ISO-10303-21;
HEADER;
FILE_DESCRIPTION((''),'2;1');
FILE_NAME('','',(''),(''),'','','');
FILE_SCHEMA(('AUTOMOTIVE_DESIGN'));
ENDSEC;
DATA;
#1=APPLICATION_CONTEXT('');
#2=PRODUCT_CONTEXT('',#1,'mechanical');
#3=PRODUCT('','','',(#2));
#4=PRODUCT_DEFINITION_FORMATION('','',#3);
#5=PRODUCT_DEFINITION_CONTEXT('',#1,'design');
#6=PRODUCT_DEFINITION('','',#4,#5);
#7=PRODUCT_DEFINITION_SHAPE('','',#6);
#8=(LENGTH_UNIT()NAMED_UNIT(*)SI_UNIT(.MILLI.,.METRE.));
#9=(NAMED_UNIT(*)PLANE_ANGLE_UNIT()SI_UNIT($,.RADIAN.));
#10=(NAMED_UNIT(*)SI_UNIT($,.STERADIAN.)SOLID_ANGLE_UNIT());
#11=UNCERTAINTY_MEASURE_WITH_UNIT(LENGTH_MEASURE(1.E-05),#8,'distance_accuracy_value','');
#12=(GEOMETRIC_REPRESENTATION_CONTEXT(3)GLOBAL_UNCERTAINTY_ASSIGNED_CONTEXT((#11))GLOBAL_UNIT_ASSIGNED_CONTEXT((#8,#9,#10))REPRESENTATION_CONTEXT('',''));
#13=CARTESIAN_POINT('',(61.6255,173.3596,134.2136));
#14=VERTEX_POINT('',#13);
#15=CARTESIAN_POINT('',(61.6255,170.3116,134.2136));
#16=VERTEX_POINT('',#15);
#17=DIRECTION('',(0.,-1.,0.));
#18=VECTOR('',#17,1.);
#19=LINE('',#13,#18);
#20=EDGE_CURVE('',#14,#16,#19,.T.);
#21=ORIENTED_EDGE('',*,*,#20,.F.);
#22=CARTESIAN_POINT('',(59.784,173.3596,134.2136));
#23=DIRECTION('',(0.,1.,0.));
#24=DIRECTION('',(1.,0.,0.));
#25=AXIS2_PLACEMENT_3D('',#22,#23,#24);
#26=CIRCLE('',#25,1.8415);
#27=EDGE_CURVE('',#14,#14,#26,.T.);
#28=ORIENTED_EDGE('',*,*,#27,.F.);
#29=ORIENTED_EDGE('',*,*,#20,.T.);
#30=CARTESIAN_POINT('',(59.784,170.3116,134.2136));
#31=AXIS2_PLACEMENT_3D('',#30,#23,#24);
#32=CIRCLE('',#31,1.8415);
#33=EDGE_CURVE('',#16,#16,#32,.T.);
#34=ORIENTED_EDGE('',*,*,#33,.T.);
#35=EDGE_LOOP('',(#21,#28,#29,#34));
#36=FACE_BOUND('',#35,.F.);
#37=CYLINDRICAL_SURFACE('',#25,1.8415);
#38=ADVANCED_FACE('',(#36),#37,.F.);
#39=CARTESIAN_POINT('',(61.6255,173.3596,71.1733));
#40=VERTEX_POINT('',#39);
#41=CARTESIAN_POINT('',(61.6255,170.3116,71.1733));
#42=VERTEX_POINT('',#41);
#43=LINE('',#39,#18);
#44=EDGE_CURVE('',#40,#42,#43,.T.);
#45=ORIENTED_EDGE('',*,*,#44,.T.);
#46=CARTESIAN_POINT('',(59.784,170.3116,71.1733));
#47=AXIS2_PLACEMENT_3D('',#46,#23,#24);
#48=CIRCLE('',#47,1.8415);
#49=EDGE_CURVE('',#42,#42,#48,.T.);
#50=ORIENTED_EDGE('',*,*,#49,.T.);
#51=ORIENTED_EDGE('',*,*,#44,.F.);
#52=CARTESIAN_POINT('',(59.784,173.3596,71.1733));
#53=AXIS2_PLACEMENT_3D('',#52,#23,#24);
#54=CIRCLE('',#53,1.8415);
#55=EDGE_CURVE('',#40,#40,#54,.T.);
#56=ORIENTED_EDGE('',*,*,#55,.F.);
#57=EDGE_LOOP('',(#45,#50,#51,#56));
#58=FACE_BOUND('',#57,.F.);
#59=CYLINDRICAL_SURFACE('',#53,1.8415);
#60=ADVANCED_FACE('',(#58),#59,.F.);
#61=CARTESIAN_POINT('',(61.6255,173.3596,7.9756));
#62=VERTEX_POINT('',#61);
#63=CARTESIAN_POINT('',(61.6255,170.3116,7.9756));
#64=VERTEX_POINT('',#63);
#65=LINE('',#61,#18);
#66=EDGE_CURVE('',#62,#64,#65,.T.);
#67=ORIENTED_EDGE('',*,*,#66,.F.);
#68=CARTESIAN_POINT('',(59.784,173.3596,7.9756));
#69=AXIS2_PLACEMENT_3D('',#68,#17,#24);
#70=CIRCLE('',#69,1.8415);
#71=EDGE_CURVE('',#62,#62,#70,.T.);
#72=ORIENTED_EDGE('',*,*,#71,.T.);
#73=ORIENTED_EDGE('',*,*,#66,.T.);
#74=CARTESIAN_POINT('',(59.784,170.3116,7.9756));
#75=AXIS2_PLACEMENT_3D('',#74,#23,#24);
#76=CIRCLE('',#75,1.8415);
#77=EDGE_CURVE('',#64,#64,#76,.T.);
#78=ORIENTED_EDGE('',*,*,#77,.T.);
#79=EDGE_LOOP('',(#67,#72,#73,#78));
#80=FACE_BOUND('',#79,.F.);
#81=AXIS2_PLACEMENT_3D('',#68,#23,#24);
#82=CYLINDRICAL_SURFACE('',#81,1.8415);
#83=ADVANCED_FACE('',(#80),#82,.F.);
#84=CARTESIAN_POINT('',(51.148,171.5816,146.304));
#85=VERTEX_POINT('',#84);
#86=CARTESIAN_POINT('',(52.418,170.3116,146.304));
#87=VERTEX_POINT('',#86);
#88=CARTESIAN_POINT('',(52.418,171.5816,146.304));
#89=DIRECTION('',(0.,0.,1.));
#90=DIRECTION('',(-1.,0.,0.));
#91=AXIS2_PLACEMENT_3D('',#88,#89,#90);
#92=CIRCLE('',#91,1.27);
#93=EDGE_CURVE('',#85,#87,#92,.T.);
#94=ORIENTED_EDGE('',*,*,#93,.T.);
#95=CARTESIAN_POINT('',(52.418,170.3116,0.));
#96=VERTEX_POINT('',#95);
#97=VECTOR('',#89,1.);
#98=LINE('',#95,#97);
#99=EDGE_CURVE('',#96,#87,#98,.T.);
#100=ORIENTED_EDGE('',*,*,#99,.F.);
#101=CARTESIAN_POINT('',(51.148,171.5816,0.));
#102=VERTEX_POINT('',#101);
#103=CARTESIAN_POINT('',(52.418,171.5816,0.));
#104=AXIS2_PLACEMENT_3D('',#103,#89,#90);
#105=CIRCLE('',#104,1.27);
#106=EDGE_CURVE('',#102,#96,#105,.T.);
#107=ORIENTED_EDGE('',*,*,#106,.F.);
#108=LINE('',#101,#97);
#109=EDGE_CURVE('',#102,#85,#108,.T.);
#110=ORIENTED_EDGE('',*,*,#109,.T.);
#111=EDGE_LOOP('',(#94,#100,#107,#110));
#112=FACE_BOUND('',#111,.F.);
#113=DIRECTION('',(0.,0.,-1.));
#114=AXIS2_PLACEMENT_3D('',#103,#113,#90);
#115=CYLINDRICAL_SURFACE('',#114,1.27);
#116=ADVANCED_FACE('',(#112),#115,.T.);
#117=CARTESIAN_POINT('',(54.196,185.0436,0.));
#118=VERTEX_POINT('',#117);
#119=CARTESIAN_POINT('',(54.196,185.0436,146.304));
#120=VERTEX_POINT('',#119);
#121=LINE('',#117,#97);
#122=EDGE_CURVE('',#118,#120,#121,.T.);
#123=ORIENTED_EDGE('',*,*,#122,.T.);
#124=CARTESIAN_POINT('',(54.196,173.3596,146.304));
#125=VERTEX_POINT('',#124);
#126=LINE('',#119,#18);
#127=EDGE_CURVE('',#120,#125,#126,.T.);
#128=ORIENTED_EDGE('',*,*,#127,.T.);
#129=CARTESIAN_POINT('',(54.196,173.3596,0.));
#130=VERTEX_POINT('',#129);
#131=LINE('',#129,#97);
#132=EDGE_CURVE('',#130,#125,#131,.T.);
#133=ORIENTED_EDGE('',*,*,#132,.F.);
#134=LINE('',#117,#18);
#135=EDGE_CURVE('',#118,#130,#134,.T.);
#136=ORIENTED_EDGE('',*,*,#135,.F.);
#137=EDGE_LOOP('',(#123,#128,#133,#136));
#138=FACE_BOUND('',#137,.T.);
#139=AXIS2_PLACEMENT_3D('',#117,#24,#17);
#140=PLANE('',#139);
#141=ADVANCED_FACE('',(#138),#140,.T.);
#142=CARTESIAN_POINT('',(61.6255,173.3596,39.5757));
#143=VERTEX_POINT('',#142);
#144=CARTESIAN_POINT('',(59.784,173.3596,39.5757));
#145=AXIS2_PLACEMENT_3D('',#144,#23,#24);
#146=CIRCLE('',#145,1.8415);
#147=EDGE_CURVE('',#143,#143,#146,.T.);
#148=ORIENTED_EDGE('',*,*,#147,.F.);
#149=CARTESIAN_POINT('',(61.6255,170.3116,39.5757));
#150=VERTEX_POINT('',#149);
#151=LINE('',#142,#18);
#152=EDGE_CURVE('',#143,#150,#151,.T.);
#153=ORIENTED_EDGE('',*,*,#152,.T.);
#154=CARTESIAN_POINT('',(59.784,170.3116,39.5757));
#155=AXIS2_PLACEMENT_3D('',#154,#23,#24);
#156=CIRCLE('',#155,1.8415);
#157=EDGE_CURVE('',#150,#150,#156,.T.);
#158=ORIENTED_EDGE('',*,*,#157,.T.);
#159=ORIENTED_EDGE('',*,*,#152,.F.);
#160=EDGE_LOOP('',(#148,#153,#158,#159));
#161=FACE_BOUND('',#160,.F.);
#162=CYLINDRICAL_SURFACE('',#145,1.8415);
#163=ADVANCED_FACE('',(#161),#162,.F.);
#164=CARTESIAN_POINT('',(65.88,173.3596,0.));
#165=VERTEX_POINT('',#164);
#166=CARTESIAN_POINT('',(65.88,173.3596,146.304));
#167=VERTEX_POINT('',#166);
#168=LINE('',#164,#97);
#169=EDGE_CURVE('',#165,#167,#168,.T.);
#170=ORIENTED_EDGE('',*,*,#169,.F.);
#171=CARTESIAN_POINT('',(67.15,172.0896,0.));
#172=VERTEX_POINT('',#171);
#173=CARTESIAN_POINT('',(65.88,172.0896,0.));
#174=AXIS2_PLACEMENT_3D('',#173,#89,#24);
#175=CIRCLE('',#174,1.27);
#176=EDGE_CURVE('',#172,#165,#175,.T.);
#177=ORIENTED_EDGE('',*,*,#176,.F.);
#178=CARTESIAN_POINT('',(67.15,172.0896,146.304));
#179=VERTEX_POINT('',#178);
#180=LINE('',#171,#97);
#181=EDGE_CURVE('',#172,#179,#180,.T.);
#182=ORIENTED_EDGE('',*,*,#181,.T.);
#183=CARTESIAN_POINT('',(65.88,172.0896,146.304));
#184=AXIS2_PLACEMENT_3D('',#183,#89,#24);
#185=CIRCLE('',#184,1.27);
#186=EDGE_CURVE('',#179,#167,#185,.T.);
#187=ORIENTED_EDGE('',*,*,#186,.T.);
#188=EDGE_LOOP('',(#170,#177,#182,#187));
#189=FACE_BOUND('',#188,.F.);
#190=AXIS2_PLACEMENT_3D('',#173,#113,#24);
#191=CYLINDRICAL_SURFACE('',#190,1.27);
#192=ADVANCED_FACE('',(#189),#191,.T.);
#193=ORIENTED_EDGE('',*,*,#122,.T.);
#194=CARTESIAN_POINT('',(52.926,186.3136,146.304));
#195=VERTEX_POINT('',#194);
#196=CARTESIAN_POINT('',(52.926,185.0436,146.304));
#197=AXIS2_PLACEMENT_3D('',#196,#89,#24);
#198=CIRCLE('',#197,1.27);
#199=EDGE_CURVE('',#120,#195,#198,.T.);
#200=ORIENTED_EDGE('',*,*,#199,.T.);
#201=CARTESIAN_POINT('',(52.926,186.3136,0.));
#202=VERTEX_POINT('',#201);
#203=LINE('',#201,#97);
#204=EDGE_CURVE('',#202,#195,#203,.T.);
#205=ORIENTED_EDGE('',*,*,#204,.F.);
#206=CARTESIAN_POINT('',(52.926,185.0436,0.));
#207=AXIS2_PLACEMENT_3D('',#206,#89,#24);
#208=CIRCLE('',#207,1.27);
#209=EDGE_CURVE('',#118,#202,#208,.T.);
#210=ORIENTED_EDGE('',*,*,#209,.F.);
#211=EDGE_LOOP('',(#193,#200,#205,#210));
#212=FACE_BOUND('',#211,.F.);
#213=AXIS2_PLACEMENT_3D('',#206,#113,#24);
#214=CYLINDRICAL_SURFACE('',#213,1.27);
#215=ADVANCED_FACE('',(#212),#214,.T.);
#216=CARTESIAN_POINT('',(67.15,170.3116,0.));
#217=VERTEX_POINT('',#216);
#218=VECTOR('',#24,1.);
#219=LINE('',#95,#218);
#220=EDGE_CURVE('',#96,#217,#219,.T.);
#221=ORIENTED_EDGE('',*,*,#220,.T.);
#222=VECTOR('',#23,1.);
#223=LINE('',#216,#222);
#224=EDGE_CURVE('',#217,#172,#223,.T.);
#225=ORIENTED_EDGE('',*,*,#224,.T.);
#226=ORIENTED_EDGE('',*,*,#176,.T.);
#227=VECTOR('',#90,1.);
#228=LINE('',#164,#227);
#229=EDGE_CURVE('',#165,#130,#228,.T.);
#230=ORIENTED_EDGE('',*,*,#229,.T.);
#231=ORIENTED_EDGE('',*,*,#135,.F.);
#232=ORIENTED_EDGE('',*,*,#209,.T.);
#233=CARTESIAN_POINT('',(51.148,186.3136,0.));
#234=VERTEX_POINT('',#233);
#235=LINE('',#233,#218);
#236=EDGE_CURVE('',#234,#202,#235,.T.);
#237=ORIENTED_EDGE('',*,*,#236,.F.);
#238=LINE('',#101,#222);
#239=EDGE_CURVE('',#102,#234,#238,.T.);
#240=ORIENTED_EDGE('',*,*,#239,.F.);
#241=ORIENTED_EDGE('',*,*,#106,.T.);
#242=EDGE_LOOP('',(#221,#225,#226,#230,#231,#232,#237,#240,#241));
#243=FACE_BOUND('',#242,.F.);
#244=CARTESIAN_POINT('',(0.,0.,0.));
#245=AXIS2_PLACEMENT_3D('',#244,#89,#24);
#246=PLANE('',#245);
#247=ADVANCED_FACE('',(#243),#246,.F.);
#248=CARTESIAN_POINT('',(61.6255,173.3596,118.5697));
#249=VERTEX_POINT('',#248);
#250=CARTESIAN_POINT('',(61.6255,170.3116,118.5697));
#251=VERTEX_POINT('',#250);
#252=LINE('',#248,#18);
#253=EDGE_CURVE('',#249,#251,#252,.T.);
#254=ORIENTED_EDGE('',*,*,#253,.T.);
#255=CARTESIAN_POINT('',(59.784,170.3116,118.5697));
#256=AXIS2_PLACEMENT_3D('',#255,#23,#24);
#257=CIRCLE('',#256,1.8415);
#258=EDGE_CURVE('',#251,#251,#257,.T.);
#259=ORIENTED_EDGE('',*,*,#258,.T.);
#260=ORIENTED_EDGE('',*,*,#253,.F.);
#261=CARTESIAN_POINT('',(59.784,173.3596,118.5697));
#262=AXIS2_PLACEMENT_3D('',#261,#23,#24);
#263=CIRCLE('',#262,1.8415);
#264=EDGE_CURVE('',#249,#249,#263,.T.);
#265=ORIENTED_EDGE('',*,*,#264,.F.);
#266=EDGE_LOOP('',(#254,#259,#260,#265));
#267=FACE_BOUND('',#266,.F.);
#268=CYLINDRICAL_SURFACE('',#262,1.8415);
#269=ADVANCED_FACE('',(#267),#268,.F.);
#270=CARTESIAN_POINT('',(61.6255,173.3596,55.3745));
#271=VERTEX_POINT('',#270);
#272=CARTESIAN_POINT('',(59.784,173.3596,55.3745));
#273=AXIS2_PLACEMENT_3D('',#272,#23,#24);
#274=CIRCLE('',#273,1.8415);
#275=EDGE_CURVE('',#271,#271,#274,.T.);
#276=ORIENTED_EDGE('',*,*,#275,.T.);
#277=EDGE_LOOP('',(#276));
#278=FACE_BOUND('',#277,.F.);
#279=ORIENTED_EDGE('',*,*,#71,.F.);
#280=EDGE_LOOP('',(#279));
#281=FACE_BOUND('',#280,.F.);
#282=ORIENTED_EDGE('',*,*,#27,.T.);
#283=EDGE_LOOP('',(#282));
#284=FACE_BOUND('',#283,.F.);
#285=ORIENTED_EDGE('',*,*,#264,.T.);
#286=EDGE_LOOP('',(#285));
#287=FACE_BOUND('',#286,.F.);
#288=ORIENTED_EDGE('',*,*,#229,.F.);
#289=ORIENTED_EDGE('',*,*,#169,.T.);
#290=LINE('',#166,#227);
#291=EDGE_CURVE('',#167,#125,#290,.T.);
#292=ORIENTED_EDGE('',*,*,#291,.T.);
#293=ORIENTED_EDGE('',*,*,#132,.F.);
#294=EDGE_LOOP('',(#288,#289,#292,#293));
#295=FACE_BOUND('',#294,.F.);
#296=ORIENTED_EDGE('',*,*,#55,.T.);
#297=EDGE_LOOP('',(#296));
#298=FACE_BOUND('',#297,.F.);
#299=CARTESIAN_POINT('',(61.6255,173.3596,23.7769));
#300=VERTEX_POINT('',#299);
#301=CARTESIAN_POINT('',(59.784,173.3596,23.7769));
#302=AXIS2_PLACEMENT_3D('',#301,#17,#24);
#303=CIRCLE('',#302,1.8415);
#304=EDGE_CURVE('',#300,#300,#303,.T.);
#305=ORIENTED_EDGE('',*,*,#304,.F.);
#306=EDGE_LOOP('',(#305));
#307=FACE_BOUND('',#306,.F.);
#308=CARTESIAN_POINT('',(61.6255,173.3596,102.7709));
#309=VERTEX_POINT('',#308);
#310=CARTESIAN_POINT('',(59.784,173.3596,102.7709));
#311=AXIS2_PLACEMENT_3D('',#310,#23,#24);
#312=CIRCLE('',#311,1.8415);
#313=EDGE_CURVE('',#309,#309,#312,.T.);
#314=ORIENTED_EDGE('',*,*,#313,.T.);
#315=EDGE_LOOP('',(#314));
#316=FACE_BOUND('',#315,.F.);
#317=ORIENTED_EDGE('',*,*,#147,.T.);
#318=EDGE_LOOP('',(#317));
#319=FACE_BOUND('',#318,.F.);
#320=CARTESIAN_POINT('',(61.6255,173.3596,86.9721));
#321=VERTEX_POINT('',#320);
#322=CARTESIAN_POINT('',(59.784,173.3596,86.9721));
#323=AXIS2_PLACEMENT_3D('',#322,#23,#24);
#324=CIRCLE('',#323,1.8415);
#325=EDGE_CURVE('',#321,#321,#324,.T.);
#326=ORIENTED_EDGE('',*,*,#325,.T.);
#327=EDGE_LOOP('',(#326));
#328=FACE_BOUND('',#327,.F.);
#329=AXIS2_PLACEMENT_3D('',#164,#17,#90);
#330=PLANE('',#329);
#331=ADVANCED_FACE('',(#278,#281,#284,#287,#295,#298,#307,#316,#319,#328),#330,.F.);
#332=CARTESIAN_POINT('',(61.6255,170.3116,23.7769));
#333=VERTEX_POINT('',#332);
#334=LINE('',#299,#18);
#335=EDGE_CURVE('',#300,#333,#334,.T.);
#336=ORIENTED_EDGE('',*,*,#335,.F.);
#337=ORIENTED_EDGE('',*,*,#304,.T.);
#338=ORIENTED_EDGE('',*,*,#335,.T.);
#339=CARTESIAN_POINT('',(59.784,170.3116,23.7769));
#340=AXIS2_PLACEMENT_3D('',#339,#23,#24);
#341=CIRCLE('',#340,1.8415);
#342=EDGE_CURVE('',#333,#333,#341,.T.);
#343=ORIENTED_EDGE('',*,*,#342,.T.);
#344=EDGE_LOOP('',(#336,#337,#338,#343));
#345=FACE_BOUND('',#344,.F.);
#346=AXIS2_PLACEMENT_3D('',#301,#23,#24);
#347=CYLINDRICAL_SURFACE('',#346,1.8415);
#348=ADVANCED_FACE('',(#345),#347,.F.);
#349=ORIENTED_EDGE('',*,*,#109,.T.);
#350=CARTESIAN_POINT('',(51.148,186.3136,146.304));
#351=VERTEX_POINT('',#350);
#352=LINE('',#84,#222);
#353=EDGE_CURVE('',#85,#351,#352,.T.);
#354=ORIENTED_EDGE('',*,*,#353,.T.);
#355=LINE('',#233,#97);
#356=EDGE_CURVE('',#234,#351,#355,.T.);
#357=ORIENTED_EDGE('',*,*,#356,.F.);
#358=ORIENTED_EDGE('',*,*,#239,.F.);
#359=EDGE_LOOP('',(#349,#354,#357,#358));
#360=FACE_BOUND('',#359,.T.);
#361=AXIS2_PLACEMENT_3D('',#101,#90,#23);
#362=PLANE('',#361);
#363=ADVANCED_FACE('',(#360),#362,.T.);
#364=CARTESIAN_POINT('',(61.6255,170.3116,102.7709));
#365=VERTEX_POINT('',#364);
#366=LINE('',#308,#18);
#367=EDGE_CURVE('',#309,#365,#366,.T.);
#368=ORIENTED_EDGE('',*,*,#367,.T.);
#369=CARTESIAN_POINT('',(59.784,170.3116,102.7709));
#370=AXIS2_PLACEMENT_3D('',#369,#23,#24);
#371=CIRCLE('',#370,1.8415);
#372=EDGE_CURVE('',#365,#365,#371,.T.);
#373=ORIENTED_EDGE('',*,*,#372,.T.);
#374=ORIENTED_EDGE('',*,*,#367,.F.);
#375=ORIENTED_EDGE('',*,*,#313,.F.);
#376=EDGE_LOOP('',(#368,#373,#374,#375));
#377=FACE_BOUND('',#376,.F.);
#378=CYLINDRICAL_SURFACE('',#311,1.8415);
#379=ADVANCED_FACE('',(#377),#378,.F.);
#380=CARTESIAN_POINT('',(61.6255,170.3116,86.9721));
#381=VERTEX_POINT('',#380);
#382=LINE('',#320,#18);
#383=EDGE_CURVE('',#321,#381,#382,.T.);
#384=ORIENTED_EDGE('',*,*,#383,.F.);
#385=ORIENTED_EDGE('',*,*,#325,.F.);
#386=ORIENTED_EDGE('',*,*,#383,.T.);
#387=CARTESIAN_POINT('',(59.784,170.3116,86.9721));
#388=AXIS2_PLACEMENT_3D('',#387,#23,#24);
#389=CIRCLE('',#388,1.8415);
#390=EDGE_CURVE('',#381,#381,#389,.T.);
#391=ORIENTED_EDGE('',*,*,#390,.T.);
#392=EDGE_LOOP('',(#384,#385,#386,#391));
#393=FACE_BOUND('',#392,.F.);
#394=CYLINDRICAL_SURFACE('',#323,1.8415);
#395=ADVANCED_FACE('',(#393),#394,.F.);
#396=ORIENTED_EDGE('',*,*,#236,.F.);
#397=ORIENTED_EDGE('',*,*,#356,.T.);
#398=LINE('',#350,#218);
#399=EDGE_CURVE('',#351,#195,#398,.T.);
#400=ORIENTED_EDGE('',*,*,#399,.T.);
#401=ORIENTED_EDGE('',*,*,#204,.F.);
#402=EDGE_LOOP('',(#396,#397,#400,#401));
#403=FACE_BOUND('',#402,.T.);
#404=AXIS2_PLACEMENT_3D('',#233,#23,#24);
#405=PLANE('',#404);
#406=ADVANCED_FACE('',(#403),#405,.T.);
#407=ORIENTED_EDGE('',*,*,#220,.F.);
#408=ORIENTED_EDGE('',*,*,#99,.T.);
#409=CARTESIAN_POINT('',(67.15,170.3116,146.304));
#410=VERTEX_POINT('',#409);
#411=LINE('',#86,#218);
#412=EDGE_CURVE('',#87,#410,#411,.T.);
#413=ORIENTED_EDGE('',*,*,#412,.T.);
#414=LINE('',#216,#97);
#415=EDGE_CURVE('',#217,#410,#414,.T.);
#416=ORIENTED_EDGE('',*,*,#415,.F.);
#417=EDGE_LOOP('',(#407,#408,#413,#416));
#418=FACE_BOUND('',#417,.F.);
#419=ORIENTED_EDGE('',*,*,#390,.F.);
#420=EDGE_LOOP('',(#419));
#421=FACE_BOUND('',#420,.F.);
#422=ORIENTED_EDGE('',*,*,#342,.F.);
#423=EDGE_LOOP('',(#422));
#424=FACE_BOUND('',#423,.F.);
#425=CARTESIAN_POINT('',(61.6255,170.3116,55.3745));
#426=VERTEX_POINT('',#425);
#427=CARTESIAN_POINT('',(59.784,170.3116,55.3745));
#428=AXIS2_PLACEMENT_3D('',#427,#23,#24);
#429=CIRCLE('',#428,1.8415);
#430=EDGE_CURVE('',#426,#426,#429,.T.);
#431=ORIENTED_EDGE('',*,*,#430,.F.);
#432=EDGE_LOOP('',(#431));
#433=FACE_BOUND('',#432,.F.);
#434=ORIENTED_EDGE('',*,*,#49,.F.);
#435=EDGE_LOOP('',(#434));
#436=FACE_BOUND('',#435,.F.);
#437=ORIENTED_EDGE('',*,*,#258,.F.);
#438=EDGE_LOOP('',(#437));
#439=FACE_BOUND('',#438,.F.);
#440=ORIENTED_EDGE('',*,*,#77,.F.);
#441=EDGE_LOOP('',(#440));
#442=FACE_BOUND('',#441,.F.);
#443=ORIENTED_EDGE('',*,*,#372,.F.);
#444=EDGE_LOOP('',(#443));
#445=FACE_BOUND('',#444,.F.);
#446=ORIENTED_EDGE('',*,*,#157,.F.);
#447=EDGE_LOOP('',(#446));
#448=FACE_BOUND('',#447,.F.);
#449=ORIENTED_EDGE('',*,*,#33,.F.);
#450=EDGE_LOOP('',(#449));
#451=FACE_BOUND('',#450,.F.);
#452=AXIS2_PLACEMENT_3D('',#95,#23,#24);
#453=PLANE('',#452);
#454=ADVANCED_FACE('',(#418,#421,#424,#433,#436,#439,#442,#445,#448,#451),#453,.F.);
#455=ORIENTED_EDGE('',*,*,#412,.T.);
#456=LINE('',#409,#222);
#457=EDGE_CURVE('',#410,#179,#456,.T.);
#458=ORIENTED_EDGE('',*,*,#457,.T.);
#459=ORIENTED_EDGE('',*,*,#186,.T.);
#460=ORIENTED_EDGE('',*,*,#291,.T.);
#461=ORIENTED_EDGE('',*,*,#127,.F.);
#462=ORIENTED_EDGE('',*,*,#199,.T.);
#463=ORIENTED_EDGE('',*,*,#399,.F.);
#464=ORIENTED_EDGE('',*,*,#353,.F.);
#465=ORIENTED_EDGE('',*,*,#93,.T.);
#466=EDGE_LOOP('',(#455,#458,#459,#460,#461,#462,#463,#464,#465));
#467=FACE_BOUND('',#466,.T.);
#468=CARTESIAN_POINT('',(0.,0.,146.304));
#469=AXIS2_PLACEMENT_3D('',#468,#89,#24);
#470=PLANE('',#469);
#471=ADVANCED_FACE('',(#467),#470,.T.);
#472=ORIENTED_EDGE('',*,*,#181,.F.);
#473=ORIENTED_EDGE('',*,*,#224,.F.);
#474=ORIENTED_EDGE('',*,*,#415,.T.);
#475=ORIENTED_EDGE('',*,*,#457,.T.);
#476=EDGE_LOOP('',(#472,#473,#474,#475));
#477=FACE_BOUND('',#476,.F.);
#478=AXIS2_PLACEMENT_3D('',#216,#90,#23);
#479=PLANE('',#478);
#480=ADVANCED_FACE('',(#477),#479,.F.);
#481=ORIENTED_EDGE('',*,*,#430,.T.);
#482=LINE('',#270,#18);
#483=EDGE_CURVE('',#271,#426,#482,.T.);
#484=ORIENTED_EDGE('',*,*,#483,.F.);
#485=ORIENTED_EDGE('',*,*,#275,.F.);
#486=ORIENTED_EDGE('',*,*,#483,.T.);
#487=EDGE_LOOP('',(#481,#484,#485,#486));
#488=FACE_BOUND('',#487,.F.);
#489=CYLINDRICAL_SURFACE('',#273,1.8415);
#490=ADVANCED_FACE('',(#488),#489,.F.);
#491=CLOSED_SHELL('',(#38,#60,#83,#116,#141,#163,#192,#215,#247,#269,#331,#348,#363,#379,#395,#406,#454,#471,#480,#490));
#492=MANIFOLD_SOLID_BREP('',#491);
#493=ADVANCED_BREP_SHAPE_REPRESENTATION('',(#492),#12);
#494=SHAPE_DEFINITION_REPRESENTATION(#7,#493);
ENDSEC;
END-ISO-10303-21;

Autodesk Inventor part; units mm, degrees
ref_plane "YZ Plane" through (0, 0, 0) normal (1, 0, 0) x (0, 1, 0)
ref_plane "XZ Plane" through (0, 0, 0) normal (0, 1, 0) x (-1, 0, 0)
ref_plane "XY Plane" through (0, 0, 0) normal (0, 0, 1) x (1, 0, 0)
sketch "Sketch1" plane through (0, 0, 0) normal (0, 0, 1) x (1, 0, 0)
  line L0 (52.418, 170.3116) -> (67.15, 170.3116)
  line L1 (67.15, 170.3116) -> (67.15, 167.2636)
  line L2 (51.148, 171.5816) -> (51.148, 186.3136)
  line L3 (51.148, 186.3136) -> (52.926, 186.3136)
  line L4 (54.196, 185.0436) -> (54.196, 173.3596)
  line L5 (67.15, 170.3116) -> (67.15, 172.0896)
  line L6 (65.88, 173.3596) -> (54.196, 173.3596)
  arc A0 (54.196, 185.0436) -> (52.926, 186.3136) centre (52.926, 185.0436) ccw
  arc A1 (67.15, 172.0896) -> (65.88, 173.3596) centre (65.88, 172.0896) ccw
  arc A2 (51.148, 171.5816) -> (52.418, 170.3116) centre (52.418, 171.5816) ccw
  point P0 (0, 0)
  point P1 (51.148, 170.3116)
  point P2 (54.196, 186.3136)
  point P3 (67.15, 173.3596)
  dimension "d0" = 16.002
  dimension "d1" = 3.048
  dimension "d2" = 16.002
  dimension "d3" = 3.048
  dimension "d4" = 3.048
  dimension "d5" = 1.27
  dimension "d6" = 1.27
extrude "Extrusion1" add sketch "Sketch1" along normal blind 146.304
sketch "Sketch3" plane through (54.196, 173.3596, 0) normal (0, 1, 0) x (1, 0, 0)
  line L0 (0.9375, 6.2475) -> (13.2819, 6.2475)
  line L1 (12.954, 0) -> (-1.778, 0) projected
  line L2 (5.588, 0) -> (5.588, -6.1341)
  line L3 (-1.778, -146.304) -> (12.954, -146.304) projected
  circle A0 centre (5.588, -7.9756) radius 1.8415
  line L4 (5.588, -7.9756) -> (5.588, -130.5306)
  circle A1 centre (5.588, -134.2136) radius 1.8415
  point P0 (-54.196, 0)
  dimension "d31" = 12.3444
  dimension "d32" = 6.1341
  dimension "d38" = 122.555
extrude "Extrusion6" cut sketch "Sketch3" against normal blind 69.85
sketch "Sketch4" plane through (54.196, 173.3596, 0) normal (0, 1, 0) x (1, 0, 0)
  circle A0 centre (5.588, -7.9756) radius 1.8415 projected
  line L0 (5.588, -25.6184) -> (6.1855, -25.6184)
  circle A1 centre (5.588, -23.7769) radius 1.8415
  circle A2 centre (5.588, -39.5757) radius 1.8415
  circle A3 centre (5.588, -55.3745) radius 1.8415
  circle A4 centre (5.588, -71.1733) radius 1.8415
  circle A5 centre (5.588, -86.9721) radius 1.8415
  circle A6 centre (5.588, -102.7709) radius 1.8415
  circle A7 centre (5.588, -118.5697) radius 1.8415
  point P0 (-54.196, 0)
extrude "Extrusion7" cut sketch "Sketch4" against normal blind 34.925 contours A1 | A2 | A3 | A4 | A5 | A6 | A7
properties part number "L Bracket with holes"
